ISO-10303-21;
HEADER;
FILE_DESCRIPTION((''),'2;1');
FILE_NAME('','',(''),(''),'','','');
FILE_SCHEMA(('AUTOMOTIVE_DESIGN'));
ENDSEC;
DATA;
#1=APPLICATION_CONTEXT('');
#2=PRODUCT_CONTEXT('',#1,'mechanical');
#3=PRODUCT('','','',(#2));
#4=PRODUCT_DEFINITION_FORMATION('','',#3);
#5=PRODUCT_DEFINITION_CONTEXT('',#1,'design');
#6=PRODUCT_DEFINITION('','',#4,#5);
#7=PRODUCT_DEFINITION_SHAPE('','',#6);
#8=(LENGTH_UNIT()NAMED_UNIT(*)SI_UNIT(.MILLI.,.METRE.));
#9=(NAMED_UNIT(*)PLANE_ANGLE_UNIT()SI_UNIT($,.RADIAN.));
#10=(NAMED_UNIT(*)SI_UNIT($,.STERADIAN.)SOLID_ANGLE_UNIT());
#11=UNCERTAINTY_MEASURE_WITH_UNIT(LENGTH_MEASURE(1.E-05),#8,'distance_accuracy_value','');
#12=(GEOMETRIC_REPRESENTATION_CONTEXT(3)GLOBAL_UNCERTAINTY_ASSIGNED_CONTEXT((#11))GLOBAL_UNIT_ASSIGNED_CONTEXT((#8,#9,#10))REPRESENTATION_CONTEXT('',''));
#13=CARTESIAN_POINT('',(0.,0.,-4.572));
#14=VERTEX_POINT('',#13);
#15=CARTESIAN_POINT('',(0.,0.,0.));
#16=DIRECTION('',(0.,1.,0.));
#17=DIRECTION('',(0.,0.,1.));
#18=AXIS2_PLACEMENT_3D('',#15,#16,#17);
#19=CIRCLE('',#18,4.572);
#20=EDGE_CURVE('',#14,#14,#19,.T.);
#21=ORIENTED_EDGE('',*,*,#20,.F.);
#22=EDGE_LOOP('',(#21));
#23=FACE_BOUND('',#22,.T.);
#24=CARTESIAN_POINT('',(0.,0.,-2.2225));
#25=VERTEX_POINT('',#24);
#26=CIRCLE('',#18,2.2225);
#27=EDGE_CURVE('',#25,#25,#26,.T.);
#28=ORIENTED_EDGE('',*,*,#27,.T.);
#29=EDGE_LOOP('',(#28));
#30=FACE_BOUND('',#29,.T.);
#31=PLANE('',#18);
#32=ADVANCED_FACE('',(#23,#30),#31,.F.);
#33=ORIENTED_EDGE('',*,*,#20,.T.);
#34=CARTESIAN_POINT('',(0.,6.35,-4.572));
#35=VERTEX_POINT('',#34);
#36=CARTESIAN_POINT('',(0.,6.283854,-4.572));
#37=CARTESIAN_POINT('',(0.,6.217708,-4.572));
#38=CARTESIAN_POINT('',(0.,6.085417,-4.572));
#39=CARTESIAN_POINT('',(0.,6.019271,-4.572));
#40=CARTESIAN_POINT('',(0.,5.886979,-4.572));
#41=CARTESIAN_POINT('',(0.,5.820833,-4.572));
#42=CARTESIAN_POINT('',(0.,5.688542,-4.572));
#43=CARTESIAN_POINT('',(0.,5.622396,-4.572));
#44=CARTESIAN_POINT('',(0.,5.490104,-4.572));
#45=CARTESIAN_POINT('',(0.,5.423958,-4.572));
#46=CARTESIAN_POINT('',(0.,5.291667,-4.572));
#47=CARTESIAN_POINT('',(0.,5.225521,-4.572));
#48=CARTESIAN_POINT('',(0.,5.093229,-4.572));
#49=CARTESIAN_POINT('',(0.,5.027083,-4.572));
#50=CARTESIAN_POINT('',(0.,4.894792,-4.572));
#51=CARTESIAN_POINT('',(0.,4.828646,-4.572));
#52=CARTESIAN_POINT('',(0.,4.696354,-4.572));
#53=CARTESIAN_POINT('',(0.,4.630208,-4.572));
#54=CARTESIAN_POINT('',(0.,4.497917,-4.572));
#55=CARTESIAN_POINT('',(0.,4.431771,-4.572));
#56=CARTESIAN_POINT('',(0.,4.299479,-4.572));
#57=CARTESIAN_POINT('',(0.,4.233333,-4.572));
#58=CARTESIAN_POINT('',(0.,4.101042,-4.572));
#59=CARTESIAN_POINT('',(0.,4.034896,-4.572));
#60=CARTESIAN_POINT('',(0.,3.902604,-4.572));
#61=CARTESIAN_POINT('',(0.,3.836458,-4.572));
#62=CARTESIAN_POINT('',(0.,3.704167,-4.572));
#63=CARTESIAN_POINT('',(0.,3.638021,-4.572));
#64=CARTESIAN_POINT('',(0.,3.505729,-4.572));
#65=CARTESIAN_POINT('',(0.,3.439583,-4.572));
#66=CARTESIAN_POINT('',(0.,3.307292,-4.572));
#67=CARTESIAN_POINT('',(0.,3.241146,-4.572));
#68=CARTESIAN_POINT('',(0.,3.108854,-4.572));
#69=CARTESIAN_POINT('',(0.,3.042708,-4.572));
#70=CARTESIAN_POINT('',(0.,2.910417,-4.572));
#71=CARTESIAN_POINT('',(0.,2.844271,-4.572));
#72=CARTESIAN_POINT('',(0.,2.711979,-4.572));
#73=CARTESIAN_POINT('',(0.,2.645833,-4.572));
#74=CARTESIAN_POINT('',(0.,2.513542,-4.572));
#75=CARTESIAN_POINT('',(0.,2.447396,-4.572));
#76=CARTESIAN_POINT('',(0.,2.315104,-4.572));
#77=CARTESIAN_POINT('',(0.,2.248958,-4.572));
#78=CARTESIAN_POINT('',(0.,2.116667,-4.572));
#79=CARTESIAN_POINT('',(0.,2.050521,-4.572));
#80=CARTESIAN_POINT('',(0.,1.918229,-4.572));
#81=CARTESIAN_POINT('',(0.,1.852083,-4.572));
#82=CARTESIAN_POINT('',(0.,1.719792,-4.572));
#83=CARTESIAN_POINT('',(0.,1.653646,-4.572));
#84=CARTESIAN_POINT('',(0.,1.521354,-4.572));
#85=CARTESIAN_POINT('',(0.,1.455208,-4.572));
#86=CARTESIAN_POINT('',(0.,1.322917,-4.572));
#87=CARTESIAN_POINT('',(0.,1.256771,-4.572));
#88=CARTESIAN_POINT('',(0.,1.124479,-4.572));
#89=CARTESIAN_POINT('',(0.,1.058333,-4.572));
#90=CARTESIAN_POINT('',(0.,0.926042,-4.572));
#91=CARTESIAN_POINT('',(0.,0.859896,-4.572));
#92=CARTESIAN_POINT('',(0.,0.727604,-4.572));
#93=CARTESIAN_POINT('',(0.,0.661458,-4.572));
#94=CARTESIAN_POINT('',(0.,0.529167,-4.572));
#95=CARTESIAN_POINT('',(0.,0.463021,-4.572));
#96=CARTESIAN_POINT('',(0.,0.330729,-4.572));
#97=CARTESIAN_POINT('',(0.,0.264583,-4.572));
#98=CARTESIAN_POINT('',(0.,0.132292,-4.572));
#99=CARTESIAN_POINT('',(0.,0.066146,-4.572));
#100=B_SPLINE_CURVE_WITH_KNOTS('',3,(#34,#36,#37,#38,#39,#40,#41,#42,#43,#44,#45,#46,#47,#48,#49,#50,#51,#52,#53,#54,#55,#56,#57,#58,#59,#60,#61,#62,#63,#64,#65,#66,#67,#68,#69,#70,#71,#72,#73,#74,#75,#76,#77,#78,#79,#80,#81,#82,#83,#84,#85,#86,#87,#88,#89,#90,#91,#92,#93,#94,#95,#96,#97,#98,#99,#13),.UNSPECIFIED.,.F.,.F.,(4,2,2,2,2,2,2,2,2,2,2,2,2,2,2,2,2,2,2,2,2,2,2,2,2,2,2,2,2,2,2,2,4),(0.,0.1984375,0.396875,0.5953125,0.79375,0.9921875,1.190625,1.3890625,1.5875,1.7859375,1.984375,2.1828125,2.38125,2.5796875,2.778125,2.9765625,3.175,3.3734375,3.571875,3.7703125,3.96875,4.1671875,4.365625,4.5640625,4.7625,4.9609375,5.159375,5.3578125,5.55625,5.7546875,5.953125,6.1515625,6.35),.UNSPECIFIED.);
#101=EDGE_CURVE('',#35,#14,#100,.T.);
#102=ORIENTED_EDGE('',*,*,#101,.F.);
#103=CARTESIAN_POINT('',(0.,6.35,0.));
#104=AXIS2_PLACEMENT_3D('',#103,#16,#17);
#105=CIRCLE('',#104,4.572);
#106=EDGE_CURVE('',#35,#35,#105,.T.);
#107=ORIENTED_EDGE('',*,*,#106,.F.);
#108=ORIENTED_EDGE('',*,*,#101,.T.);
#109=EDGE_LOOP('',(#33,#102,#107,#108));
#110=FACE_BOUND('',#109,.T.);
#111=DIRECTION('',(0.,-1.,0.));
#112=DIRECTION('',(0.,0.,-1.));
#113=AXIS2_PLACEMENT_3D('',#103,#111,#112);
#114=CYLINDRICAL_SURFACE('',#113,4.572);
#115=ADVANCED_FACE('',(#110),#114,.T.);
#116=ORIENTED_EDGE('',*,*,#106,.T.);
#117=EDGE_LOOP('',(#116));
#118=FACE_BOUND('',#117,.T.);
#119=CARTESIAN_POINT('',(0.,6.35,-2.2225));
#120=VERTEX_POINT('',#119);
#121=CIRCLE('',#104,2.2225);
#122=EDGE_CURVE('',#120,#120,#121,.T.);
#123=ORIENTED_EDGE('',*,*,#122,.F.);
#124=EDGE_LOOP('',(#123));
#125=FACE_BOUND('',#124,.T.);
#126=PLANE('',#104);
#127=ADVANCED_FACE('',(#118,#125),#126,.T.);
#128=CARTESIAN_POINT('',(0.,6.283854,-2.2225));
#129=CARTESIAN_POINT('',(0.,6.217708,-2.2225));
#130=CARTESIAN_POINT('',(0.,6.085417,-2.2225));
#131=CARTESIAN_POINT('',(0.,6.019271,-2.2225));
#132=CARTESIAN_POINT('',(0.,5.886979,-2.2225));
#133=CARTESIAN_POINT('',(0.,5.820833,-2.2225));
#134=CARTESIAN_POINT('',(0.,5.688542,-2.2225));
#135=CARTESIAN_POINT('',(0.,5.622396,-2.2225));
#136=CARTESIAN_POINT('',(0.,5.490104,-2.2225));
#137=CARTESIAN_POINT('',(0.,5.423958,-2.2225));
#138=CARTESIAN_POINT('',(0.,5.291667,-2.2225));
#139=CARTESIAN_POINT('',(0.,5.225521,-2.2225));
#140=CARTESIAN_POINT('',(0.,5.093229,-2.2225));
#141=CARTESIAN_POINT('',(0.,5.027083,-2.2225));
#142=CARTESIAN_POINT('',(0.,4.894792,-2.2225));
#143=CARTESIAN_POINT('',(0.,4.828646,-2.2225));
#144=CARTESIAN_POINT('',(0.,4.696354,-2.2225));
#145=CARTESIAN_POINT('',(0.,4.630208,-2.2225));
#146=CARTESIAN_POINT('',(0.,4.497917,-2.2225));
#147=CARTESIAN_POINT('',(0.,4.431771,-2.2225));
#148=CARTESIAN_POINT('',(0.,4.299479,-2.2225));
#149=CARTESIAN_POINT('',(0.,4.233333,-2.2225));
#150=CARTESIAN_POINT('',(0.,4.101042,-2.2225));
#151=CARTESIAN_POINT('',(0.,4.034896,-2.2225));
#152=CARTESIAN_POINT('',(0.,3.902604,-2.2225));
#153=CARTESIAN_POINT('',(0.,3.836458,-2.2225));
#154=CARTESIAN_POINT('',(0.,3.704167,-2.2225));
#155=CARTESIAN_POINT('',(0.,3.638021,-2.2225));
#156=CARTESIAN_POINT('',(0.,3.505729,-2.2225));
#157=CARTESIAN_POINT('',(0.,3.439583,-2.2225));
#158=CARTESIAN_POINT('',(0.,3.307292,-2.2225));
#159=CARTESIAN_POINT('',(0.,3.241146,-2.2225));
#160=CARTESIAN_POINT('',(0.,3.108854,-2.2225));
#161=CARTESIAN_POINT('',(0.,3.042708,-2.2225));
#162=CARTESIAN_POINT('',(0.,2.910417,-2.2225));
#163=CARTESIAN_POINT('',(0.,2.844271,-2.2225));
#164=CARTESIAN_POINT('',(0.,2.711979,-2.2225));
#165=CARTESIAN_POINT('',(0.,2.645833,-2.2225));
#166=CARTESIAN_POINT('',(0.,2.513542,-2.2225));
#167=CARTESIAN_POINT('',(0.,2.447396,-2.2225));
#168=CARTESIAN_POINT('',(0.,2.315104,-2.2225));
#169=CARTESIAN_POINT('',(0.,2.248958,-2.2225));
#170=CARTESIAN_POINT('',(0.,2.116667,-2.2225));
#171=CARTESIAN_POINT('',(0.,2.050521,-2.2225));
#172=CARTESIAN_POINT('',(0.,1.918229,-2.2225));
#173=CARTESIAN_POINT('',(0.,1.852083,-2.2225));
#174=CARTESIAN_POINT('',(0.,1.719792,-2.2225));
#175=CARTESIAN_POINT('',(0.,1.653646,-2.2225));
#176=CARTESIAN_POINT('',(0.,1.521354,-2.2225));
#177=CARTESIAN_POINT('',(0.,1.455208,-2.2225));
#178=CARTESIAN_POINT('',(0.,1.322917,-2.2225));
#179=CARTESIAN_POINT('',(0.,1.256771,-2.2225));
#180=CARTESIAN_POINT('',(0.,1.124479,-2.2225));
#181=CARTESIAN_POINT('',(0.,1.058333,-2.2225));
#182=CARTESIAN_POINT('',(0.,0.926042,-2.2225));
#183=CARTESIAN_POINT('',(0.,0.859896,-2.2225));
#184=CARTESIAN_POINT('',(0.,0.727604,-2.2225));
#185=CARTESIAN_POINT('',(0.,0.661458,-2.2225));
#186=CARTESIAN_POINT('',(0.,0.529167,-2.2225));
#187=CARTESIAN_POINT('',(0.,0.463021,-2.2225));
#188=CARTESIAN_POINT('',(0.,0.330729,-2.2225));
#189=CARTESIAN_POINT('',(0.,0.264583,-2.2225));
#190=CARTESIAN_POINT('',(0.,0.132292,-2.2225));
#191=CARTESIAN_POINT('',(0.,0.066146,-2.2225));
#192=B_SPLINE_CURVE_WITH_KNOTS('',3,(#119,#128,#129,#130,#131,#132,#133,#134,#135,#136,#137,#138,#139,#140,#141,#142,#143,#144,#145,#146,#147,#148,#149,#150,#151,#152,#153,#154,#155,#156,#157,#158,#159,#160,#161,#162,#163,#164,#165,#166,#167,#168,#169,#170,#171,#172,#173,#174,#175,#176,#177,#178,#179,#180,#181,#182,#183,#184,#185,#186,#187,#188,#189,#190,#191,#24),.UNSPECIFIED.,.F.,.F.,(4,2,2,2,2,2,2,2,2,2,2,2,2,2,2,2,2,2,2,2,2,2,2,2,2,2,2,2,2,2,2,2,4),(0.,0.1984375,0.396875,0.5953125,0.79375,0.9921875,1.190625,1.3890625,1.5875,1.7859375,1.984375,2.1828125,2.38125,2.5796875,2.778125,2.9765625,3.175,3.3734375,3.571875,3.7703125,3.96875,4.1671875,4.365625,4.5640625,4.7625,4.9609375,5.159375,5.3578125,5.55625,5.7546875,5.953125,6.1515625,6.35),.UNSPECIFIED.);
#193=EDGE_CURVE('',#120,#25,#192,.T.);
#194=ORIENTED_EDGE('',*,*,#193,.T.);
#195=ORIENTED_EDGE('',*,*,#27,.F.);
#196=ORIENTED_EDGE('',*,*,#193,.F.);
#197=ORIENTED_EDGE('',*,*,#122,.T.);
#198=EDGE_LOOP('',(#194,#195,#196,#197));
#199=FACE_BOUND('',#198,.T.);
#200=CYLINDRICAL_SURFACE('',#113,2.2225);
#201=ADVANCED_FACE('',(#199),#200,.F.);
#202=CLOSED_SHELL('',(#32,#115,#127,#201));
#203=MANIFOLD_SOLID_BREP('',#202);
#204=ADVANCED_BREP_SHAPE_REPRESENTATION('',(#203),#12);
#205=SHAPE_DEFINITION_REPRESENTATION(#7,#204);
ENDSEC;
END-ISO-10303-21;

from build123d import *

# Parameters (mm, degrees)
SKETCH1_R        = 4.572
SKETCH1_R_2      = 2.2225
EXTRUSION1_DEPTH = 6.35


with BuildPart() as part:
    # Sketch1 → Extrusion1 (new body)
    with BuildSketch(Plane(origin=(0, 0, 0), x_dir=(-1, 0, 0), z_dir=(0, 1, 0))):
        with Locations(Location((0, 0, 0), (0, 0, 270))):
            Circle(SKETCH1_R)
        with Locations(Location((0, 0, 0), (0, 0, 270))):
            Circle(SKETCH1_R_2, mode=Mode.SUBTRACT)
    extrude(amount=EXTRUSION1_DEPTH)


solid = part.part
